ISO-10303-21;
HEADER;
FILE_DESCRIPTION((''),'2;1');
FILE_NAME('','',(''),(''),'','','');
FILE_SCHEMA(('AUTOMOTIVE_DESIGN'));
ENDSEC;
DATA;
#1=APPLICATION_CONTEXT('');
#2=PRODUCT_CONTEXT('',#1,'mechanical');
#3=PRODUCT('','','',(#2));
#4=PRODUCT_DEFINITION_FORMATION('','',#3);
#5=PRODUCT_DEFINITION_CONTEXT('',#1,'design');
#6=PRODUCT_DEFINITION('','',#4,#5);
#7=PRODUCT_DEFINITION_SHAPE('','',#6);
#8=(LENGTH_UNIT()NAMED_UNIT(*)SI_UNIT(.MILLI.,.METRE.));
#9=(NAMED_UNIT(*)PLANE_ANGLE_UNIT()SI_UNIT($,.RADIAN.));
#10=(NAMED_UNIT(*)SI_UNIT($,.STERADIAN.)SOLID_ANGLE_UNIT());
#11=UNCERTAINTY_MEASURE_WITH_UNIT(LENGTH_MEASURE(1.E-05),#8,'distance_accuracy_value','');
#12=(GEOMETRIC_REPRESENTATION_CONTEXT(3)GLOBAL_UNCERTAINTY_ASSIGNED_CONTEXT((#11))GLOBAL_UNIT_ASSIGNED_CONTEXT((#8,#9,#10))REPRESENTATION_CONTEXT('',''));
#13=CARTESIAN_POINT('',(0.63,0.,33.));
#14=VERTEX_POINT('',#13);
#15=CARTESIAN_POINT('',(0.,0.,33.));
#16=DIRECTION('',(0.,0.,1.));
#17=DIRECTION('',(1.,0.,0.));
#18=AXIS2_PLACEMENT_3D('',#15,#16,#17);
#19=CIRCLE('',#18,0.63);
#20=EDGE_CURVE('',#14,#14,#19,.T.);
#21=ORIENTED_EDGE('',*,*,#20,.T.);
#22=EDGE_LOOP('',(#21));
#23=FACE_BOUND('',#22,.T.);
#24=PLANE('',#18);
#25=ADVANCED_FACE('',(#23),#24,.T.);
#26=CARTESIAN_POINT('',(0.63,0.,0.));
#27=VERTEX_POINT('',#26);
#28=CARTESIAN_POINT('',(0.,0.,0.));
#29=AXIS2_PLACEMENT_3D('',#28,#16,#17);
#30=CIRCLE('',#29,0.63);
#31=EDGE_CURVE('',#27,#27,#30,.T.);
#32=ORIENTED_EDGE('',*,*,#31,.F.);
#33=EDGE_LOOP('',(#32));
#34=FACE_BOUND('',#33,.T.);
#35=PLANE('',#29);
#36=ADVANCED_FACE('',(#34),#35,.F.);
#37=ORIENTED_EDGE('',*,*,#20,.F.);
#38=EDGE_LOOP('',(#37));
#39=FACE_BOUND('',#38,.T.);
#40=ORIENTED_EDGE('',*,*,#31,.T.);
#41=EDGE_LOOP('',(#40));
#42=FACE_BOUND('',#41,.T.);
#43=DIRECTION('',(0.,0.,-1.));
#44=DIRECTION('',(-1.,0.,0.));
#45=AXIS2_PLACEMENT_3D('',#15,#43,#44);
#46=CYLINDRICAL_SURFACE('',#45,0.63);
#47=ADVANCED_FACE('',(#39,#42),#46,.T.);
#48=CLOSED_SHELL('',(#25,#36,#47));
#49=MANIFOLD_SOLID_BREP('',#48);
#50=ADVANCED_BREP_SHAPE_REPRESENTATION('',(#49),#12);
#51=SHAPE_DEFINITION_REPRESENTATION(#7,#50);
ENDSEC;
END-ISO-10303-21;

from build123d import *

# Parameters (mm, degrees)
CROQUIS1_R              = 0.63
SALIENTE_EXTRUIR1_DEPTH = 33


with BuildPart() as part:
    # Croquis1 → Saliente-Extruir1 (new body)
    with BuildSketch(Plane.XY):
        Circle(CROQUIS1_R)
    extrude(amount=SALIENTE_EXTRUIR1_DEPTH)


solid = part.part
